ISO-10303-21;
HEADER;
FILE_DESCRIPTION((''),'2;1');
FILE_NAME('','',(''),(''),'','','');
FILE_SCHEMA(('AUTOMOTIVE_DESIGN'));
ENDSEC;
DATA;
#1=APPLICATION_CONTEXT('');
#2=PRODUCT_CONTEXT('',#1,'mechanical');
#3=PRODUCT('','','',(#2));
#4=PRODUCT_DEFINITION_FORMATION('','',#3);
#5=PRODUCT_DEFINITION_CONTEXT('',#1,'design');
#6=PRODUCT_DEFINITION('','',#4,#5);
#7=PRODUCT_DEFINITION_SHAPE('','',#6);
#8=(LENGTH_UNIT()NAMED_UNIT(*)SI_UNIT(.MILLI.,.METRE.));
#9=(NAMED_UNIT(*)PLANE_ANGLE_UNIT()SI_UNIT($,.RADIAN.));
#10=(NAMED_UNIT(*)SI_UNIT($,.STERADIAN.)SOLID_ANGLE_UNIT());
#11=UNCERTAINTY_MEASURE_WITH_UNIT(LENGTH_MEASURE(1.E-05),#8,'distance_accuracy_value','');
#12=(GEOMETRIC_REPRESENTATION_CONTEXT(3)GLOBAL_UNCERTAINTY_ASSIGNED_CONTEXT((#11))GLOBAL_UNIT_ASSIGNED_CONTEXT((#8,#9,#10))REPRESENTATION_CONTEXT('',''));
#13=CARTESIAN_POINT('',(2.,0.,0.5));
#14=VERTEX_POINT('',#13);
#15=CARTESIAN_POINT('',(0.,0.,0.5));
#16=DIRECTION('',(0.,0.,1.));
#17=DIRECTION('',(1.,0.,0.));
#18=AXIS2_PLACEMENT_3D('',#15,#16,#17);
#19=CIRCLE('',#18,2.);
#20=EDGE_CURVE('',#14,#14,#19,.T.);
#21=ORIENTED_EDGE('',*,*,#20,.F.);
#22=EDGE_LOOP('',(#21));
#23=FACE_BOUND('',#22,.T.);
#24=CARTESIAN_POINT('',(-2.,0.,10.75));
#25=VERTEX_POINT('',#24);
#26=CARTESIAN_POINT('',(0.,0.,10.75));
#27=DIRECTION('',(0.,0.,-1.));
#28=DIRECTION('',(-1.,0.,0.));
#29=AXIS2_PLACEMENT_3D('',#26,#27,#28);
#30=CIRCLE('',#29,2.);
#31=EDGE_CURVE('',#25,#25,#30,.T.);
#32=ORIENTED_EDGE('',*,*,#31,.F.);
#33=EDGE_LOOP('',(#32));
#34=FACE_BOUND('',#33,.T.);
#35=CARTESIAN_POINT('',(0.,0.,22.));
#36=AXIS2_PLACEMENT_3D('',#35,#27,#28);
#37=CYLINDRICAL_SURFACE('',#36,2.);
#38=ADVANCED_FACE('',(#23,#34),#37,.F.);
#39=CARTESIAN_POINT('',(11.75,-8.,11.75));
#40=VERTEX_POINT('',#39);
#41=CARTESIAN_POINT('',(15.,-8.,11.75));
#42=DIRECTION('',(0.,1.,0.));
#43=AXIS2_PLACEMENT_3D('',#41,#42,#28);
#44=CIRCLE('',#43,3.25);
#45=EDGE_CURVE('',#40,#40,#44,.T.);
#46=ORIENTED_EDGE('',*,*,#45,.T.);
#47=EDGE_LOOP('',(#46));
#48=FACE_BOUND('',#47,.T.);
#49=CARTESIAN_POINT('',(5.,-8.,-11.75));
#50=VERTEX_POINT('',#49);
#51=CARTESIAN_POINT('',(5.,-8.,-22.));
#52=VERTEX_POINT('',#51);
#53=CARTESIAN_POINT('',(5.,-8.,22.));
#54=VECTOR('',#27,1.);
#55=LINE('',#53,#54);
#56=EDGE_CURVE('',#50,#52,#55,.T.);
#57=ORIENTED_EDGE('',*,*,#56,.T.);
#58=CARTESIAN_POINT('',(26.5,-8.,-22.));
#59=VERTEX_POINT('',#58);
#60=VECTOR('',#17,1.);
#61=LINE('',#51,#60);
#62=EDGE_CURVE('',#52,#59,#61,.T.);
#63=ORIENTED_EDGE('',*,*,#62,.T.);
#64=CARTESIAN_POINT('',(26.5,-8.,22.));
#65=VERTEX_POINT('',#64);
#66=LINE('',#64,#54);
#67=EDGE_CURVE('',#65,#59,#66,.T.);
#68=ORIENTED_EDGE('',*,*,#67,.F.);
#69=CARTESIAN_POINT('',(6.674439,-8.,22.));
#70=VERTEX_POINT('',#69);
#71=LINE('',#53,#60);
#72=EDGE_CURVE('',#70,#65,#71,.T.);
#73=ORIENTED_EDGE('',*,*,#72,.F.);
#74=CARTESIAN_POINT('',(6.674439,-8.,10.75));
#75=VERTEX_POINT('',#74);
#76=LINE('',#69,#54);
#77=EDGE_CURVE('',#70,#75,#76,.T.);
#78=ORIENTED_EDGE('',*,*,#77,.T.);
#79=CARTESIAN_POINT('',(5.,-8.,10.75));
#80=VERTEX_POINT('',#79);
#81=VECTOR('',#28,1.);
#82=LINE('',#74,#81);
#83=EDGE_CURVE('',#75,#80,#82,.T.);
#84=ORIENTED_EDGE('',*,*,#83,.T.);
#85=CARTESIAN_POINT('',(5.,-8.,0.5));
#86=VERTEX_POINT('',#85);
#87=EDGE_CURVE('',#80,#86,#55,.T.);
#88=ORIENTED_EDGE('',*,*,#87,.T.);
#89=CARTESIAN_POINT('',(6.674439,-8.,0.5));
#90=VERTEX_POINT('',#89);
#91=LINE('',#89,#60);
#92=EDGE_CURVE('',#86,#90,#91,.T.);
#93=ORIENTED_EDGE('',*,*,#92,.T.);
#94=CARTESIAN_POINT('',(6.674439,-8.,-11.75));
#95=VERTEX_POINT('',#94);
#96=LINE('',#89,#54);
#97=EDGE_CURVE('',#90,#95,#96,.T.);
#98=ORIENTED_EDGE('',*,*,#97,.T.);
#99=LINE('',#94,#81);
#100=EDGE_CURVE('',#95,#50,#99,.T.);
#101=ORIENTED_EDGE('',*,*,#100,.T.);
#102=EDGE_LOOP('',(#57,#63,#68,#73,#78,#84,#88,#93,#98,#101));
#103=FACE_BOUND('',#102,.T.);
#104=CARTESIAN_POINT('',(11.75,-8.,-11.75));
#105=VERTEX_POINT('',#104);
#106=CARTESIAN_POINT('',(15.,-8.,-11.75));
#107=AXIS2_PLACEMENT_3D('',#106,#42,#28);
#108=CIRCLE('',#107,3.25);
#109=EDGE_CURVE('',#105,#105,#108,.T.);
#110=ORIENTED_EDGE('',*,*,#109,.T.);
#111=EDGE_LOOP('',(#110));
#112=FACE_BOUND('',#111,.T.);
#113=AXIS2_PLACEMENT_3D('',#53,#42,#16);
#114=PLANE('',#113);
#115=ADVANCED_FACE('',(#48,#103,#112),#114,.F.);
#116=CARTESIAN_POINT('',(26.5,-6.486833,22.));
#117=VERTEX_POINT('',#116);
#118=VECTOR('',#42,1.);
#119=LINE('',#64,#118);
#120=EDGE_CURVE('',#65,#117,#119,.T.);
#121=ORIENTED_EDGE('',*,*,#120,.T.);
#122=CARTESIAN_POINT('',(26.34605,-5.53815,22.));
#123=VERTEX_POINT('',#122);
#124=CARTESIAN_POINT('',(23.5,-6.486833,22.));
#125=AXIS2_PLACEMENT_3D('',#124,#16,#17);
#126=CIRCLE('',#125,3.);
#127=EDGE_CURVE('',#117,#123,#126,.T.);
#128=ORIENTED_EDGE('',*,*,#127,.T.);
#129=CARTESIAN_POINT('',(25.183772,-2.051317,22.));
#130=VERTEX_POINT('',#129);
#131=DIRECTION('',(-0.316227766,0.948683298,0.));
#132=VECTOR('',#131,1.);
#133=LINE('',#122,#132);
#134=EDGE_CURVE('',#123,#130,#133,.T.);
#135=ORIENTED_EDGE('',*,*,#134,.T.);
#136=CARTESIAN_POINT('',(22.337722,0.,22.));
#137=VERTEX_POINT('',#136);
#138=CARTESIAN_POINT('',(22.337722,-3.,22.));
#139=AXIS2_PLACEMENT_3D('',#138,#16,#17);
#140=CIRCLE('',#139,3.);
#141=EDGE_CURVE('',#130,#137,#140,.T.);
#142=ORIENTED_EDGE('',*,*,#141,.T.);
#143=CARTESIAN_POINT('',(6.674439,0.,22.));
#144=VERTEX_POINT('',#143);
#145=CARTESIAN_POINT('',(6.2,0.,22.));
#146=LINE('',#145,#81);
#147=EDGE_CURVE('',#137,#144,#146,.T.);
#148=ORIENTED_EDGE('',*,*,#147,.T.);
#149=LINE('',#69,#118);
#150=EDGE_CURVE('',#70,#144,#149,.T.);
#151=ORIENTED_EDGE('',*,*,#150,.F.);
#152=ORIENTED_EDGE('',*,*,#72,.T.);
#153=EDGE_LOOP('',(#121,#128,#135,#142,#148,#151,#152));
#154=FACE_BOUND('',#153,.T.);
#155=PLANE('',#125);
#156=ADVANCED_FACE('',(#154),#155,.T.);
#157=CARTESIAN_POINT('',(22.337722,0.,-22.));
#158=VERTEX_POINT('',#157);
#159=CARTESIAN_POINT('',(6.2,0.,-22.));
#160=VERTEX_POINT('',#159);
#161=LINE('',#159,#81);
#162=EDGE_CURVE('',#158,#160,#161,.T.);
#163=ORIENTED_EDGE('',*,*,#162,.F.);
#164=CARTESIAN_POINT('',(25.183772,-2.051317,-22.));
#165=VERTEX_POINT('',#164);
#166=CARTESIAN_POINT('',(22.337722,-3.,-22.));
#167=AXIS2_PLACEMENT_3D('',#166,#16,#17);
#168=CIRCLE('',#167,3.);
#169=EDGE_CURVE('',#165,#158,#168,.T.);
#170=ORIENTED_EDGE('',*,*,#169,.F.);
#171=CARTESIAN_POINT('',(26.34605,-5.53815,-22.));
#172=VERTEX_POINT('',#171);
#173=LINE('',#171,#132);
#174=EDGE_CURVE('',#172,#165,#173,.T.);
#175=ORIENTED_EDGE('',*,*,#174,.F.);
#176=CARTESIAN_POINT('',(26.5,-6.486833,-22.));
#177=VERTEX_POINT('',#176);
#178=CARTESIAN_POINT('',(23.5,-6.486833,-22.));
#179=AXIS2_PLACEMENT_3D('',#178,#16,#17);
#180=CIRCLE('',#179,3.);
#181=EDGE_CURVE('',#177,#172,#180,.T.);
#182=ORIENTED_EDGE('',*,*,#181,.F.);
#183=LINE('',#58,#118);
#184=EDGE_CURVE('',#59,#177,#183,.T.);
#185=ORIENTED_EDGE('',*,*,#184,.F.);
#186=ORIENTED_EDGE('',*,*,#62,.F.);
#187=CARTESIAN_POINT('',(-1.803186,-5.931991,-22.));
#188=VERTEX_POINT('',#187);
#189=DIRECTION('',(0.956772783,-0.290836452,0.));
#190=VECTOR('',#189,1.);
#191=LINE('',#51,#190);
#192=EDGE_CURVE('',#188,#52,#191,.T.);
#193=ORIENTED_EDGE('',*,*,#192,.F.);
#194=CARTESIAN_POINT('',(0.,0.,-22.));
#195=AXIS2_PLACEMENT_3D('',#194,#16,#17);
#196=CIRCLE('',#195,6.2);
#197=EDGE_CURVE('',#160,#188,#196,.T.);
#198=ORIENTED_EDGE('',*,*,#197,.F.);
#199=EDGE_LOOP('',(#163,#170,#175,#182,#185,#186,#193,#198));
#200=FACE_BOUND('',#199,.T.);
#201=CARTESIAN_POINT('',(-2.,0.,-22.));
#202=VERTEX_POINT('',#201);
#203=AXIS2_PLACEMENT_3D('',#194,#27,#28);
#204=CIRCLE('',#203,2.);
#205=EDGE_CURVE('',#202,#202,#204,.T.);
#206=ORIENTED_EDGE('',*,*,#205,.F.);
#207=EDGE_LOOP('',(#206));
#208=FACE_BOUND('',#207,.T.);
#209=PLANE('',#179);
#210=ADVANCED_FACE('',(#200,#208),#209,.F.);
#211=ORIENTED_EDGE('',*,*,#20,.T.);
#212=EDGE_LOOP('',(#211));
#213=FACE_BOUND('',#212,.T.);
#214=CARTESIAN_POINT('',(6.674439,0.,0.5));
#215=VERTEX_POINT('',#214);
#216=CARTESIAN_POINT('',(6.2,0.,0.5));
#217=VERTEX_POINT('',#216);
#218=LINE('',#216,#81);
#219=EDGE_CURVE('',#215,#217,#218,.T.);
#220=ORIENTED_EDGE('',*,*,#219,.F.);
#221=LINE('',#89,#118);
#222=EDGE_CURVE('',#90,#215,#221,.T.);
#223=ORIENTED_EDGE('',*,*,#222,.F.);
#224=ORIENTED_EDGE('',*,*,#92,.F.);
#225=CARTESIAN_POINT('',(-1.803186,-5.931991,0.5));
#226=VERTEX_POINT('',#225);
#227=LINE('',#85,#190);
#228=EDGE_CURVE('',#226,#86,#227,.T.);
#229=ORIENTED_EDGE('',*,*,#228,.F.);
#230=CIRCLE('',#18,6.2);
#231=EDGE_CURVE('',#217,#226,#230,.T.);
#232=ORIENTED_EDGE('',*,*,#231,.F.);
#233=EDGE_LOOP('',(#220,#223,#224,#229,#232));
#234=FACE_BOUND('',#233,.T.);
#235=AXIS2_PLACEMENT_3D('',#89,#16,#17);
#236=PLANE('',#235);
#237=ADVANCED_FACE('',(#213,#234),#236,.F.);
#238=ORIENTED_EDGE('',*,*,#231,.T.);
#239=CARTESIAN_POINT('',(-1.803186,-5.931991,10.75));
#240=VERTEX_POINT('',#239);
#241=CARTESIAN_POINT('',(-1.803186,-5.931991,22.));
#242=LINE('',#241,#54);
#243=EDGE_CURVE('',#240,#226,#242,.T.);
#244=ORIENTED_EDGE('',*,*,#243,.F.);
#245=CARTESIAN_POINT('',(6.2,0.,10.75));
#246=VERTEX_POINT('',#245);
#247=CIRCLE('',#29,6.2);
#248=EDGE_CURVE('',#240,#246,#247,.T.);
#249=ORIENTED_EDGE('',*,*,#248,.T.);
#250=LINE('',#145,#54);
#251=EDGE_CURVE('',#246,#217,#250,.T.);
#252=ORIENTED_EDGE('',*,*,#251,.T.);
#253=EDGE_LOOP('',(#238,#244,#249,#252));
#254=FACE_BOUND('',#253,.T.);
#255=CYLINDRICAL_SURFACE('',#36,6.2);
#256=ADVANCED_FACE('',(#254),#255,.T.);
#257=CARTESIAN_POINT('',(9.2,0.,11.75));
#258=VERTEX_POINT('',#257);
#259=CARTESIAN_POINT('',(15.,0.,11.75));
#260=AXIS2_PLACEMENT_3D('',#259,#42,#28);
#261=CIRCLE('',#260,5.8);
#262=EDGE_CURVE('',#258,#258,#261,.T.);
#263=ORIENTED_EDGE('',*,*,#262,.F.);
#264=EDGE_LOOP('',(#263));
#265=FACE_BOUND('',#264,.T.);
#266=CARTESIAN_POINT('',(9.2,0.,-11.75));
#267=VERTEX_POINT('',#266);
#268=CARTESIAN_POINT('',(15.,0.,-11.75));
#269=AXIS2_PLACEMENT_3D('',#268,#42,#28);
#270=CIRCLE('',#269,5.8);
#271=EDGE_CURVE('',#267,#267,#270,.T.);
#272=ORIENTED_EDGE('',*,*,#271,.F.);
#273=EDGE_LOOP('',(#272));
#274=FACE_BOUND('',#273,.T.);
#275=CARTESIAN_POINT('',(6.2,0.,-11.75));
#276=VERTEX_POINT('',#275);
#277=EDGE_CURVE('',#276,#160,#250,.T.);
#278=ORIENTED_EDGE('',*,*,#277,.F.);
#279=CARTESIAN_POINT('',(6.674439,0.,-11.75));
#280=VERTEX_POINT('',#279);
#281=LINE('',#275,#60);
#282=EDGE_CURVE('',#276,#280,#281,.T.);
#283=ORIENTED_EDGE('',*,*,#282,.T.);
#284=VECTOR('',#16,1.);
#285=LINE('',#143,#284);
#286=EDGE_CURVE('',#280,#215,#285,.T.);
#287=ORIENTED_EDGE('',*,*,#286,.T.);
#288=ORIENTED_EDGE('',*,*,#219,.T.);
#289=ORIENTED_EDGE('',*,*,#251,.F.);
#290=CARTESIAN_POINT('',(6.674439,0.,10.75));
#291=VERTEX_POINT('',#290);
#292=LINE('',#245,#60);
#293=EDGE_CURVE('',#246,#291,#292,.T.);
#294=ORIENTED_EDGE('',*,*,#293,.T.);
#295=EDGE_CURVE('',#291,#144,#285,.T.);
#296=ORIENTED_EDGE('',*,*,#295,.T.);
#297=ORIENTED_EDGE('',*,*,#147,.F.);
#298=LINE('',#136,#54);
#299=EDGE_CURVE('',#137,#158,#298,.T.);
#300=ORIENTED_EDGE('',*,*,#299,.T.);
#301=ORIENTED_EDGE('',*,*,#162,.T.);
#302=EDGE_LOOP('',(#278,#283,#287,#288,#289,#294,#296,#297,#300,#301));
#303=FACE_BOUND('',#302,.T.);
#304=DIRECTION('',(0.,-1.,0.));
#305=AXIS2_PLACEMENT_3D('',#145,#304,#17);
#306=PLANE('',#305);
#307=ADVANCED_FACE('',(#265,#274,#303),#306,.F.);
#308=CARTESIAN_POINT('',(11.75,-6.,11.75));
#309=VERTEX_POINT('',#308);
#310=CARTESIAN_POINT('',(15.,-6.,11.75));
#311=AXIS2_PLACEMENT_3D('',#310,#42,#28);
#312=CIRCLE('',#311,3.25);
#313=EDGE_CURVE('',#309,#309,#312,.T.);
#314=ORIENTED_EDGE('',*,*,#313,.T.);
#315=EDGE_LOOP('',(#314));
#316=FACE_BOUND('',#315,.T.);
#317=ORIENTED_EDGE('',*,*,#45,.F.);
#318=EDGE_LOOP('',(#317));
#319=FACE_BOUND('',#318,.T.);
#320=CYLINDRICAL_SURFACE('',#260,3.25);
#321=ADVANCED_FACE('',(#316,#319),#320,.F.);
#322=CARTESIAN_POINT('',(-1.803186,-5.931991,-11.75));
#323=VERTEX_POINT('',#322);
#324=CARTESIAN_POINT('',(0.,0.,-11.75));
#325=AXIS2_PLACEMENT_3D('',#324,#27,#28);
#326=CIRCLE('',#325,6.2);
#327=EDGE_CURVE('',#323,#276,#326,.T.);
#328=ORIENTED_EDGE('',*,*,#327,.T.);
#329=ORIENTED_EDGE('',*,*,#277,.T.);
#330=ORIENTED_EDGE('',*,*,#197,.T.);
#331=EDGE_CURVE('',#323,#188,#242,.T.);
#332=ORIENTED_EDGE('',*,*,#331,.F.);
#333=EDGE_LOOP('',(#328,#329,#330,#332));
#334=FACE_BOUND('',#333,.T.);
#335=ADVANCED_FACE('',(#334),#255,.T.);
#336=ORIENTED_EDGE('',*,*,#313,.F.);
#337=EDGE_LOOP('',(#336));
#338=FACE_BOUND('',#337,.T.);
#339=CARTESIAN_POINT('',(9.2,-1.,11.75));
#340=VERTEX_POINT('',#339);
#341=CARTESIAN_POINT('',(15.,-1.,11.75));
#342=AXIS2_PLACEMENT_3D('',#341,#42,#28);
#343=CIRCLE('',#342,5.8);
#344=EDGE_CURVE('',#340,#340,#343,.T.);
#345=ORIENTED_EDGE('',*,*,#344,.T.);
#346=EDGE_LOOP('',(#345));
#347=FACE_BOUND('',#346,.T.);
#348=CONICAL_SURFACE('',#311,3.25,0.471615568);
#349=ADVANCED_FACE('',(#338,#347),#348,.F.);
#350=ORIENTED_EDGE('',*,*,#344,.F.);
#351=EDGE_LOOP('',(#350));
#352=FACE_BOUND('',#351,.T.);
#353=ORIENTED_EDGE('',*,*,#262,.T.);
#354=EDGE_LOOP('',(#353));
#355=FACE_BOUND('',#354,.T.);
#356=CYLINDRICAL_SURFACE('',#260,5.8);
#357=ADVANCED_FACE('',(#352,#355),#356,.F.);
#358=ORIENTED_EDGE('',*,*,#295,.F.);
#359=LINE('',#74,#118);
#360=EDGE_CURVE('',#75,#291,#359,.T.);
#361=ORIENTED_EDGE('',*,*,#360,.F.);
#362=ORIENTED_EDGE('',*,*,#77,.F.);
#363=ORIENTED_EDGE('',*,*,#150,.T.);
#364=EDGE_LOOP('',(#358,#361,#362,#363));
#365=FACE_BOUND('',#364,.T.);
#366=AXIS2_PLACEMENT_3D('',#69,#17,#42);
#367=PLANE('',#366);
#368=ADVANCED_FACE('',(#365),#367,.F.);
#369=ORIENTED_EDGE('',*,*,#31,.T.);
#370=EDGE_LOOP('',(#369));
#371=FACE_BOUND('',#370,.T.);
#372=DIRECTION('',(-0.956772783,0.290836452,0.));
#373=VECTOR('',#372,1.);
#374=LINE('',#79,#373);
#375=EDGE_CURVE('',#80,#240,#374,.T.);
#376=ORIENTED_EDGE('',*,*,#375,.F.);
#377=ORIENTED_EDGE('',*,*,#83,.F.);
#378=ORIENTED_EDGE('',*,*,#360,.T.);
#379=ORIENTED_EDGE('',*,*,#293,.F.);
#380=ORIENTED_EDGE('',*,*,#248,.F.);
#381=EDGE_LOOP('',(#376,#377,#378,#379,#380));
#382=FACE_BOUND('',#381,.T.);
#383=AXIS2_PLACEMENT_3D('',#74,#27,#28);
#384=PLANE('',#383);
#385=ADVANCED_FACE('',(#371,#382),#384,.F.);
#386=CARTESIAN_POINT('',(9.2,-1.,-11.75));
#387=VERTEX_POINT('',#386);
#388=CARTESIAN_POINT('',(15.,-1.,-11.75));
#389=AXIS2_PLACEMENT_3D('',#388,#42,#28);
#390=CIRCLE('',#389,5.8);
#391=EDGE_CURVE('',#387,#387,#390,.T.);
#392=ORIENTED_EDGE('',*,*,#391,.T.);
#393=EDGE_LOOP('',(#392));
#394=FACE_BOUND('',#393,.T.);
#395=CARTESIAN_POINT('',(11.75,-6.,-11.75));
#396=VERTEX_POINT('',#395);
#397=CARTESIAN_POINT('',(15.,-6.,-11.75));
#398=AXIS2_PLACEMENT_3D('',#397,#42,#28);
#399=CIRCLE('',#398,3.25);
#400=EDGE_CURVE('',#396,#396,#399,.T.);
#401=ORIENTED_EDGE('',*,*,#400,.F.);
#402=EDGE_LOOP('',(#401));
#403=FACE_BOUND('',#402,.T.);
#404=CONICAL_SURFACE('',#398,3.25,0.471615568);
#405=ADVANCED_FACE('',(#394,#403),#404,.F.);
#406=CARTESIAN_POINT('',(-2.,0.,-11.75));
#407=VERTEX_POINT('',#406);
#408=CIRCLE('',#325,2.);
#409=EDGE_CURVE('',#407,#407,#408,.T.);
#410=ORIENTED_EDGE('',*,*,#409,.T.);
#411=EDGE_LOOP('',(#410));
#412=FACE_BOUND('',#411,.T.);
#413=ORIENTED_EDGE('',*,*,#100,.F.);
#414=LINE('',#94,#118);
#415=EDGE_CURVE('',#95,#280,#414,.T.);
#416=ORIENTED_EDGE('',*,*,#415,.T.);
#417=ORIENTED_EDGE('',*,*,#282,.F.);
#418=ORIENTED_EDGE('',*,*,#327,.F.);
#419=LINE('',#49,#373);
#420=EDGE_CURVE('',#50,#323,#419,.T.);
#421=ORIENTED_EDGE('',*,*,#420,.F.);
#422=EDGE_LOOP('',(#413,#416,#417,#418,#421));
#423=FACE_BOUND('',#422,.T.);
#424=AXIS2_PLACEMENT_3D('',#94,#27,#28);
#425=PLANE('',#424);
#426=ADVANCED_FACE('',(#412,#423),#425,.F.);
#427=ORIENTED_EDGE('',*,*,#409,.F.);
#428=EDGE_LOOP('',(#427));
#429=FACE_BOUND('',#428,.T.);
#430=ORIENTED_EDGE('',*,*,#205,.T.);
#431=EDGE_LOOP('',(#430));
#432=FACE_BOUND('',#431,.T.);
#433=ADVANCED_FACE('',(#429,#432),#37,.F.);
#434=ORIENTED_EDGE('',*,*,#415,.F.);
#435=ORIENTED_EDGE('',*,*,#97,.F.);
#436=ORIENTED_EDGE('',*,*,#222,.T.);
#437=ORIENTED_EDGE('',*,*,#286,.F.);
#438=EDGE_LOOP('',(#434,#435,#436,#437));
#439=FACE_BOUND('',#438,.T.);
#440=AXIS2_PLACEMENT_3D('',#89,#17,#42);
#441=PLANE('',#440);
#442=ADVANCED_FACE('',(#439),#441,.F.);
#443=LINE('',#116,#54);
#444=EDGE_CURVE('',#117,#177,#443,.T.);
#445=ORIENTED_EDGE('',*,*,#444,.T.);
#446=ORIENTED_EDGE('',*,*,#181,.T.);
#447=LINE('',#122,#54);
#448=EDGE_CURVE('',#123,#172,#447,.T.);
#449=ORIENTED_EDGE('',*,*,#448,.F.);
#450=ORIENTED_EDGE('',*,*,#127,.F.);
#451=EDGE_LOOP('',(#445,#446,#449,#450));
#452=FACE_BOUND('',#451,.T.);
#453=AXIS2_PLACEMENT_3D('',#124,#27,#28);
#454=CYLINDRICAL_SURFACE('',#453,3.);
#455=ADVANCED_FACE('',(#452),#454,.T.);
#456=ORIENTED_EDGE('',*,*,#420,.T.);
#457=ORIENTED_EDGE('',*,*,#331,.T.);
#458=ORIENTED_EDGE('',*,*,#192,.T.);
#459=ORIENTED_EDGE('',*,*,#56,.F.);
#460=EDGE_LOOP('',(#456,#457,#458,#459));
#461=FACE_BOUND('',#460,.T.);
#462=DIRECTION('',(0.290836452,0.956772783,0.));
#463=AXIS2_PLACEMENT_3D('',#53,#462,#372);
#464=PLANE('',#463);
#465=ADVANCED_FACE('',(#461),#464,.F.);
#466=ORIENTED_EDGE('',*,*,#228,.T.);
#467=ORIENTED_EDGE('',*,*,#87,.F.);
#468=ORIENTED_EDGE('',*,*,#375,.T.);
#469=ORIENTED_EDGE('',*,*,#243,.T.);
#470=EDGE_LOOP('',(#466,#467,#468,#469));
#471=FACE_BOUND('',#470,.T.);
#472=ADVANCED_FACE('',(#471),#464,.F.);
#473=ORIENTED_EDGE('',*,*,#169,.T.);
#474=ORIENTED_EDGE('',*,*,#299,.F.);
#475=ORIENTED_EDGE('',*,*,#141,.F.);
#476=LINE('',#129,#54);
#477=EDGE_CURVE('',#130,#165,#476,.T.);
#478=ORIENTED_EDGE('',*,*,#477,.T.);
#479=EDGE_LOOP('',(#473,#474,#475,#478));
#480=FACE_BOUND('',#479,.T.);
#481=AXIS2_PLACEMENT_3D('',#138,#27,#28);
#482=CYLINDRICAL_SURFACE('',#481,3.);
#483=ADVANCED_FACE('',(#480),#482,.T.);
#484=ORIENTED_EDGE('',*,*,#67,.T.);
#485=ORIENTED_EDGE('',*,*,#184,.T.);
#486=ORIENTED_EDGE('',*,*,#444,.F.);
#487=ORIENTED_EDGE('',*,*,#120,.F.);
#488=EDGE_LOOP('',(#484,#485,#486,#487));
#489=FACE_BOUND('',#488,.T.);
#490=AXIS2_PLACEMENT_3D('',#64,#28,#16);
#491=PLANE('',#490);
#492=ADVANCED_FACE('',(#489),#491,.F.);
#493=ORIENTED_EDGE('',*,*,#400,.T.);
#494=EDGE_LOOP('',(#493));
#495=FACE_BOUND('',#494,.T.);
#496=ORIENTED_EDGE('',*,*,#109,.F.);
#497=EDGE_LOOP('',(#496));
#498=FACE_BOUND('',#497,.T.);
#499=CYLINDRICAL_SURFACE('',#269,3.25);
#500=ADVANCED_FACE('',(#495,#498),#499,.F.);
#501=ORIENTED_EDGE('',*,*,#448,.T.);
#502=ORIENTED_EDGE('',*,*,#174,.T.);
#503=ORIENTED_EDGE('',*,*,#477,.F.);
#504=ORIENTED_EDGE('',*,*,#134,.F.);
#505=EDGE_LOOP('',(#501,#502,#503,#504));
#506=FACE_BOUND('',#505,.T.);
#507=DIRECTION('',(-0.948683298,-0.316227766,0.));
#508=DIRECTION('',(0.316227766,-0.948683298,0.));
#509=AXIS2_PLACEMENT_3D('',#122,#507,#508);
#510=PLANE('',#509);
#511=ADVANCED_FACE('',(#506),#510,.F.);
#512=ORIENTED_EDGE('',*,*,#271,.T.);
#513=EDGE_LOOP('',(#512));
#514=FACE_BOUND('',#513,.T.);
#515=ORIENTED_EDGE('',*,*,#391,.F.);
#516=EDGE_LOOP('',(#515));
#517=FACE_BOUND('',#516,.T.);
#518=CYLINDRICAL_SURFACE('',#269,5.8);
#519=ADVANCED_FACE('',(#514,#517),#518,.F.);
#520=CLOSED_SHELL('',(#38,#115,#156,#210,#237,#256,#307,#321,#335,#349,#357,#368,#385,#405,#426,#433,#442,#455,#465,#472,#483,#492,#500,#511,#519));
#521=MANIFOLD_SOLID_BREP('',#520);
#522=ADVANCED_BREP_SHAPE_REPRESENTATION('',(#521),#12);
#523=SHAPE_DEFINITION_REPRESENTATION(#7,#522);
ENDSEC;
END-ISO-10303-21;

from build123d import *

# Parameters (mm, degrees)
EXTRUDE_1_DEPTH          = 22
CUT_EXTRUDE_1_DEPTH      = 36.358874416
CUT_EXTRUDE_1_DEPTH_BACK = 36.358874416
SKETCH_3_W               = 15.710666492
SKETCH_3_H               = 11.25
SKETCH_3_W_2             = 17.010469835
SKETCH_3_H_2             = 12.25
SKETCH_4_R               = 2
CUT_EXTRUDE_2_DEPTH      = 52.983170353
PATTERN_LINEAR_1_COUNT   = 2
PATTERN_LINEAR_1_PITCH   = 23.5


with BuildPart() as part:
    # 草图1 → 凸台-拉伸1 (new, symmetric)
    with BuildSketch(Plane.XY):
        with BuildLine():
            Line((26.5, -8), (26.5, -6.486832981))
            ThreePointArc((26.5, -6.486832981), (26.461262373, -6.006286251), (26.346049894, -5.538149682))
            Line((26.346049894, -5.538149682), (25.183772234, -2.051316702))
            ThreePointArc((25.183772234, -2.051316702), (24.091853194, -0.566273444), (22.33772234, 0))
            Line((22.33772234, 0), (6.2, 0))
            ThreePointArc((6.2, 0), (-3.691899698, 4.980951377), (-1.803186005, -5.931991253))
            Line((-1.803186005, -5.931991253), (5, -8))
            Line((5, -8), (26.5, -8))
        make_face()
    extrude(amount=EXTRUDE_1_DEPTH, both=True)

    # 草图3 → 切除-拉伸1 (cut, two sides: drawn at the far end of the back side and taken through both)
    with BuildSketch(Plane(origin=(0, 0, 0), x_dir=(1, 0, 0), z_dir=(0, 1, 0)).offset(-CUT_EXTRUDE_1_DEPTH_BACK)):
        with Locations((-1.180894358, -16.375)):
            Rectangle(SKETCH_3_W, SKETCH_3_H)
        with Locations((-1.83079603, 5.625)):
            Rectangle(SKETCH_3_W_2, SKETCH_3_H_2)
    extrude(amount=CUT_EXTRUDE_1_DEPTH + CUT_EXTRUDE_1_DEPTH_BACK, mode=Mode.SUBTRACT)

    # 草图4 → 切除-拉伸2 (cut, through all)
    with BuildSketch(Plane(origin=(0, 0, -22), x_dir=(-1, 0, 0), z_dir=(0, 0, -1))):
        Circle(SKETCH_4_R)
    extrude(amount=-CUT_EXTRUDE_2_DEPTH, mode=Mode.SUBTRACT)

    # 草图5 → 切除-旋转1 (revolve, cut)
    with BuildSketch(Plane(origin=(0, 0, -11.75), x_dir=(-1, 0, 0), z_dir=(0, 0, -1))):
        Polygon((-15, 0), (-15, -8), (-11.75, -8), (-11.75, -6), (-9.2, -1), (-9.2, 0), align=None)
    cut_revolve_1 = revolve(axis=Axis((15, 0, -11.75), (0, -1, 0)), mode=Mode.SUBTRACT)

    # 阵列(线性)1: 切除-旋转1 ×2
    with Locations(*[(0, 0, i * PATTERN_LINEAR_1_PITCH) for i in range(1, PATTERN_LINEAR_1_COUNT)]):
        add(cut_revolve_1, mode=Mode.SUBTRACT)


solid = part.part
